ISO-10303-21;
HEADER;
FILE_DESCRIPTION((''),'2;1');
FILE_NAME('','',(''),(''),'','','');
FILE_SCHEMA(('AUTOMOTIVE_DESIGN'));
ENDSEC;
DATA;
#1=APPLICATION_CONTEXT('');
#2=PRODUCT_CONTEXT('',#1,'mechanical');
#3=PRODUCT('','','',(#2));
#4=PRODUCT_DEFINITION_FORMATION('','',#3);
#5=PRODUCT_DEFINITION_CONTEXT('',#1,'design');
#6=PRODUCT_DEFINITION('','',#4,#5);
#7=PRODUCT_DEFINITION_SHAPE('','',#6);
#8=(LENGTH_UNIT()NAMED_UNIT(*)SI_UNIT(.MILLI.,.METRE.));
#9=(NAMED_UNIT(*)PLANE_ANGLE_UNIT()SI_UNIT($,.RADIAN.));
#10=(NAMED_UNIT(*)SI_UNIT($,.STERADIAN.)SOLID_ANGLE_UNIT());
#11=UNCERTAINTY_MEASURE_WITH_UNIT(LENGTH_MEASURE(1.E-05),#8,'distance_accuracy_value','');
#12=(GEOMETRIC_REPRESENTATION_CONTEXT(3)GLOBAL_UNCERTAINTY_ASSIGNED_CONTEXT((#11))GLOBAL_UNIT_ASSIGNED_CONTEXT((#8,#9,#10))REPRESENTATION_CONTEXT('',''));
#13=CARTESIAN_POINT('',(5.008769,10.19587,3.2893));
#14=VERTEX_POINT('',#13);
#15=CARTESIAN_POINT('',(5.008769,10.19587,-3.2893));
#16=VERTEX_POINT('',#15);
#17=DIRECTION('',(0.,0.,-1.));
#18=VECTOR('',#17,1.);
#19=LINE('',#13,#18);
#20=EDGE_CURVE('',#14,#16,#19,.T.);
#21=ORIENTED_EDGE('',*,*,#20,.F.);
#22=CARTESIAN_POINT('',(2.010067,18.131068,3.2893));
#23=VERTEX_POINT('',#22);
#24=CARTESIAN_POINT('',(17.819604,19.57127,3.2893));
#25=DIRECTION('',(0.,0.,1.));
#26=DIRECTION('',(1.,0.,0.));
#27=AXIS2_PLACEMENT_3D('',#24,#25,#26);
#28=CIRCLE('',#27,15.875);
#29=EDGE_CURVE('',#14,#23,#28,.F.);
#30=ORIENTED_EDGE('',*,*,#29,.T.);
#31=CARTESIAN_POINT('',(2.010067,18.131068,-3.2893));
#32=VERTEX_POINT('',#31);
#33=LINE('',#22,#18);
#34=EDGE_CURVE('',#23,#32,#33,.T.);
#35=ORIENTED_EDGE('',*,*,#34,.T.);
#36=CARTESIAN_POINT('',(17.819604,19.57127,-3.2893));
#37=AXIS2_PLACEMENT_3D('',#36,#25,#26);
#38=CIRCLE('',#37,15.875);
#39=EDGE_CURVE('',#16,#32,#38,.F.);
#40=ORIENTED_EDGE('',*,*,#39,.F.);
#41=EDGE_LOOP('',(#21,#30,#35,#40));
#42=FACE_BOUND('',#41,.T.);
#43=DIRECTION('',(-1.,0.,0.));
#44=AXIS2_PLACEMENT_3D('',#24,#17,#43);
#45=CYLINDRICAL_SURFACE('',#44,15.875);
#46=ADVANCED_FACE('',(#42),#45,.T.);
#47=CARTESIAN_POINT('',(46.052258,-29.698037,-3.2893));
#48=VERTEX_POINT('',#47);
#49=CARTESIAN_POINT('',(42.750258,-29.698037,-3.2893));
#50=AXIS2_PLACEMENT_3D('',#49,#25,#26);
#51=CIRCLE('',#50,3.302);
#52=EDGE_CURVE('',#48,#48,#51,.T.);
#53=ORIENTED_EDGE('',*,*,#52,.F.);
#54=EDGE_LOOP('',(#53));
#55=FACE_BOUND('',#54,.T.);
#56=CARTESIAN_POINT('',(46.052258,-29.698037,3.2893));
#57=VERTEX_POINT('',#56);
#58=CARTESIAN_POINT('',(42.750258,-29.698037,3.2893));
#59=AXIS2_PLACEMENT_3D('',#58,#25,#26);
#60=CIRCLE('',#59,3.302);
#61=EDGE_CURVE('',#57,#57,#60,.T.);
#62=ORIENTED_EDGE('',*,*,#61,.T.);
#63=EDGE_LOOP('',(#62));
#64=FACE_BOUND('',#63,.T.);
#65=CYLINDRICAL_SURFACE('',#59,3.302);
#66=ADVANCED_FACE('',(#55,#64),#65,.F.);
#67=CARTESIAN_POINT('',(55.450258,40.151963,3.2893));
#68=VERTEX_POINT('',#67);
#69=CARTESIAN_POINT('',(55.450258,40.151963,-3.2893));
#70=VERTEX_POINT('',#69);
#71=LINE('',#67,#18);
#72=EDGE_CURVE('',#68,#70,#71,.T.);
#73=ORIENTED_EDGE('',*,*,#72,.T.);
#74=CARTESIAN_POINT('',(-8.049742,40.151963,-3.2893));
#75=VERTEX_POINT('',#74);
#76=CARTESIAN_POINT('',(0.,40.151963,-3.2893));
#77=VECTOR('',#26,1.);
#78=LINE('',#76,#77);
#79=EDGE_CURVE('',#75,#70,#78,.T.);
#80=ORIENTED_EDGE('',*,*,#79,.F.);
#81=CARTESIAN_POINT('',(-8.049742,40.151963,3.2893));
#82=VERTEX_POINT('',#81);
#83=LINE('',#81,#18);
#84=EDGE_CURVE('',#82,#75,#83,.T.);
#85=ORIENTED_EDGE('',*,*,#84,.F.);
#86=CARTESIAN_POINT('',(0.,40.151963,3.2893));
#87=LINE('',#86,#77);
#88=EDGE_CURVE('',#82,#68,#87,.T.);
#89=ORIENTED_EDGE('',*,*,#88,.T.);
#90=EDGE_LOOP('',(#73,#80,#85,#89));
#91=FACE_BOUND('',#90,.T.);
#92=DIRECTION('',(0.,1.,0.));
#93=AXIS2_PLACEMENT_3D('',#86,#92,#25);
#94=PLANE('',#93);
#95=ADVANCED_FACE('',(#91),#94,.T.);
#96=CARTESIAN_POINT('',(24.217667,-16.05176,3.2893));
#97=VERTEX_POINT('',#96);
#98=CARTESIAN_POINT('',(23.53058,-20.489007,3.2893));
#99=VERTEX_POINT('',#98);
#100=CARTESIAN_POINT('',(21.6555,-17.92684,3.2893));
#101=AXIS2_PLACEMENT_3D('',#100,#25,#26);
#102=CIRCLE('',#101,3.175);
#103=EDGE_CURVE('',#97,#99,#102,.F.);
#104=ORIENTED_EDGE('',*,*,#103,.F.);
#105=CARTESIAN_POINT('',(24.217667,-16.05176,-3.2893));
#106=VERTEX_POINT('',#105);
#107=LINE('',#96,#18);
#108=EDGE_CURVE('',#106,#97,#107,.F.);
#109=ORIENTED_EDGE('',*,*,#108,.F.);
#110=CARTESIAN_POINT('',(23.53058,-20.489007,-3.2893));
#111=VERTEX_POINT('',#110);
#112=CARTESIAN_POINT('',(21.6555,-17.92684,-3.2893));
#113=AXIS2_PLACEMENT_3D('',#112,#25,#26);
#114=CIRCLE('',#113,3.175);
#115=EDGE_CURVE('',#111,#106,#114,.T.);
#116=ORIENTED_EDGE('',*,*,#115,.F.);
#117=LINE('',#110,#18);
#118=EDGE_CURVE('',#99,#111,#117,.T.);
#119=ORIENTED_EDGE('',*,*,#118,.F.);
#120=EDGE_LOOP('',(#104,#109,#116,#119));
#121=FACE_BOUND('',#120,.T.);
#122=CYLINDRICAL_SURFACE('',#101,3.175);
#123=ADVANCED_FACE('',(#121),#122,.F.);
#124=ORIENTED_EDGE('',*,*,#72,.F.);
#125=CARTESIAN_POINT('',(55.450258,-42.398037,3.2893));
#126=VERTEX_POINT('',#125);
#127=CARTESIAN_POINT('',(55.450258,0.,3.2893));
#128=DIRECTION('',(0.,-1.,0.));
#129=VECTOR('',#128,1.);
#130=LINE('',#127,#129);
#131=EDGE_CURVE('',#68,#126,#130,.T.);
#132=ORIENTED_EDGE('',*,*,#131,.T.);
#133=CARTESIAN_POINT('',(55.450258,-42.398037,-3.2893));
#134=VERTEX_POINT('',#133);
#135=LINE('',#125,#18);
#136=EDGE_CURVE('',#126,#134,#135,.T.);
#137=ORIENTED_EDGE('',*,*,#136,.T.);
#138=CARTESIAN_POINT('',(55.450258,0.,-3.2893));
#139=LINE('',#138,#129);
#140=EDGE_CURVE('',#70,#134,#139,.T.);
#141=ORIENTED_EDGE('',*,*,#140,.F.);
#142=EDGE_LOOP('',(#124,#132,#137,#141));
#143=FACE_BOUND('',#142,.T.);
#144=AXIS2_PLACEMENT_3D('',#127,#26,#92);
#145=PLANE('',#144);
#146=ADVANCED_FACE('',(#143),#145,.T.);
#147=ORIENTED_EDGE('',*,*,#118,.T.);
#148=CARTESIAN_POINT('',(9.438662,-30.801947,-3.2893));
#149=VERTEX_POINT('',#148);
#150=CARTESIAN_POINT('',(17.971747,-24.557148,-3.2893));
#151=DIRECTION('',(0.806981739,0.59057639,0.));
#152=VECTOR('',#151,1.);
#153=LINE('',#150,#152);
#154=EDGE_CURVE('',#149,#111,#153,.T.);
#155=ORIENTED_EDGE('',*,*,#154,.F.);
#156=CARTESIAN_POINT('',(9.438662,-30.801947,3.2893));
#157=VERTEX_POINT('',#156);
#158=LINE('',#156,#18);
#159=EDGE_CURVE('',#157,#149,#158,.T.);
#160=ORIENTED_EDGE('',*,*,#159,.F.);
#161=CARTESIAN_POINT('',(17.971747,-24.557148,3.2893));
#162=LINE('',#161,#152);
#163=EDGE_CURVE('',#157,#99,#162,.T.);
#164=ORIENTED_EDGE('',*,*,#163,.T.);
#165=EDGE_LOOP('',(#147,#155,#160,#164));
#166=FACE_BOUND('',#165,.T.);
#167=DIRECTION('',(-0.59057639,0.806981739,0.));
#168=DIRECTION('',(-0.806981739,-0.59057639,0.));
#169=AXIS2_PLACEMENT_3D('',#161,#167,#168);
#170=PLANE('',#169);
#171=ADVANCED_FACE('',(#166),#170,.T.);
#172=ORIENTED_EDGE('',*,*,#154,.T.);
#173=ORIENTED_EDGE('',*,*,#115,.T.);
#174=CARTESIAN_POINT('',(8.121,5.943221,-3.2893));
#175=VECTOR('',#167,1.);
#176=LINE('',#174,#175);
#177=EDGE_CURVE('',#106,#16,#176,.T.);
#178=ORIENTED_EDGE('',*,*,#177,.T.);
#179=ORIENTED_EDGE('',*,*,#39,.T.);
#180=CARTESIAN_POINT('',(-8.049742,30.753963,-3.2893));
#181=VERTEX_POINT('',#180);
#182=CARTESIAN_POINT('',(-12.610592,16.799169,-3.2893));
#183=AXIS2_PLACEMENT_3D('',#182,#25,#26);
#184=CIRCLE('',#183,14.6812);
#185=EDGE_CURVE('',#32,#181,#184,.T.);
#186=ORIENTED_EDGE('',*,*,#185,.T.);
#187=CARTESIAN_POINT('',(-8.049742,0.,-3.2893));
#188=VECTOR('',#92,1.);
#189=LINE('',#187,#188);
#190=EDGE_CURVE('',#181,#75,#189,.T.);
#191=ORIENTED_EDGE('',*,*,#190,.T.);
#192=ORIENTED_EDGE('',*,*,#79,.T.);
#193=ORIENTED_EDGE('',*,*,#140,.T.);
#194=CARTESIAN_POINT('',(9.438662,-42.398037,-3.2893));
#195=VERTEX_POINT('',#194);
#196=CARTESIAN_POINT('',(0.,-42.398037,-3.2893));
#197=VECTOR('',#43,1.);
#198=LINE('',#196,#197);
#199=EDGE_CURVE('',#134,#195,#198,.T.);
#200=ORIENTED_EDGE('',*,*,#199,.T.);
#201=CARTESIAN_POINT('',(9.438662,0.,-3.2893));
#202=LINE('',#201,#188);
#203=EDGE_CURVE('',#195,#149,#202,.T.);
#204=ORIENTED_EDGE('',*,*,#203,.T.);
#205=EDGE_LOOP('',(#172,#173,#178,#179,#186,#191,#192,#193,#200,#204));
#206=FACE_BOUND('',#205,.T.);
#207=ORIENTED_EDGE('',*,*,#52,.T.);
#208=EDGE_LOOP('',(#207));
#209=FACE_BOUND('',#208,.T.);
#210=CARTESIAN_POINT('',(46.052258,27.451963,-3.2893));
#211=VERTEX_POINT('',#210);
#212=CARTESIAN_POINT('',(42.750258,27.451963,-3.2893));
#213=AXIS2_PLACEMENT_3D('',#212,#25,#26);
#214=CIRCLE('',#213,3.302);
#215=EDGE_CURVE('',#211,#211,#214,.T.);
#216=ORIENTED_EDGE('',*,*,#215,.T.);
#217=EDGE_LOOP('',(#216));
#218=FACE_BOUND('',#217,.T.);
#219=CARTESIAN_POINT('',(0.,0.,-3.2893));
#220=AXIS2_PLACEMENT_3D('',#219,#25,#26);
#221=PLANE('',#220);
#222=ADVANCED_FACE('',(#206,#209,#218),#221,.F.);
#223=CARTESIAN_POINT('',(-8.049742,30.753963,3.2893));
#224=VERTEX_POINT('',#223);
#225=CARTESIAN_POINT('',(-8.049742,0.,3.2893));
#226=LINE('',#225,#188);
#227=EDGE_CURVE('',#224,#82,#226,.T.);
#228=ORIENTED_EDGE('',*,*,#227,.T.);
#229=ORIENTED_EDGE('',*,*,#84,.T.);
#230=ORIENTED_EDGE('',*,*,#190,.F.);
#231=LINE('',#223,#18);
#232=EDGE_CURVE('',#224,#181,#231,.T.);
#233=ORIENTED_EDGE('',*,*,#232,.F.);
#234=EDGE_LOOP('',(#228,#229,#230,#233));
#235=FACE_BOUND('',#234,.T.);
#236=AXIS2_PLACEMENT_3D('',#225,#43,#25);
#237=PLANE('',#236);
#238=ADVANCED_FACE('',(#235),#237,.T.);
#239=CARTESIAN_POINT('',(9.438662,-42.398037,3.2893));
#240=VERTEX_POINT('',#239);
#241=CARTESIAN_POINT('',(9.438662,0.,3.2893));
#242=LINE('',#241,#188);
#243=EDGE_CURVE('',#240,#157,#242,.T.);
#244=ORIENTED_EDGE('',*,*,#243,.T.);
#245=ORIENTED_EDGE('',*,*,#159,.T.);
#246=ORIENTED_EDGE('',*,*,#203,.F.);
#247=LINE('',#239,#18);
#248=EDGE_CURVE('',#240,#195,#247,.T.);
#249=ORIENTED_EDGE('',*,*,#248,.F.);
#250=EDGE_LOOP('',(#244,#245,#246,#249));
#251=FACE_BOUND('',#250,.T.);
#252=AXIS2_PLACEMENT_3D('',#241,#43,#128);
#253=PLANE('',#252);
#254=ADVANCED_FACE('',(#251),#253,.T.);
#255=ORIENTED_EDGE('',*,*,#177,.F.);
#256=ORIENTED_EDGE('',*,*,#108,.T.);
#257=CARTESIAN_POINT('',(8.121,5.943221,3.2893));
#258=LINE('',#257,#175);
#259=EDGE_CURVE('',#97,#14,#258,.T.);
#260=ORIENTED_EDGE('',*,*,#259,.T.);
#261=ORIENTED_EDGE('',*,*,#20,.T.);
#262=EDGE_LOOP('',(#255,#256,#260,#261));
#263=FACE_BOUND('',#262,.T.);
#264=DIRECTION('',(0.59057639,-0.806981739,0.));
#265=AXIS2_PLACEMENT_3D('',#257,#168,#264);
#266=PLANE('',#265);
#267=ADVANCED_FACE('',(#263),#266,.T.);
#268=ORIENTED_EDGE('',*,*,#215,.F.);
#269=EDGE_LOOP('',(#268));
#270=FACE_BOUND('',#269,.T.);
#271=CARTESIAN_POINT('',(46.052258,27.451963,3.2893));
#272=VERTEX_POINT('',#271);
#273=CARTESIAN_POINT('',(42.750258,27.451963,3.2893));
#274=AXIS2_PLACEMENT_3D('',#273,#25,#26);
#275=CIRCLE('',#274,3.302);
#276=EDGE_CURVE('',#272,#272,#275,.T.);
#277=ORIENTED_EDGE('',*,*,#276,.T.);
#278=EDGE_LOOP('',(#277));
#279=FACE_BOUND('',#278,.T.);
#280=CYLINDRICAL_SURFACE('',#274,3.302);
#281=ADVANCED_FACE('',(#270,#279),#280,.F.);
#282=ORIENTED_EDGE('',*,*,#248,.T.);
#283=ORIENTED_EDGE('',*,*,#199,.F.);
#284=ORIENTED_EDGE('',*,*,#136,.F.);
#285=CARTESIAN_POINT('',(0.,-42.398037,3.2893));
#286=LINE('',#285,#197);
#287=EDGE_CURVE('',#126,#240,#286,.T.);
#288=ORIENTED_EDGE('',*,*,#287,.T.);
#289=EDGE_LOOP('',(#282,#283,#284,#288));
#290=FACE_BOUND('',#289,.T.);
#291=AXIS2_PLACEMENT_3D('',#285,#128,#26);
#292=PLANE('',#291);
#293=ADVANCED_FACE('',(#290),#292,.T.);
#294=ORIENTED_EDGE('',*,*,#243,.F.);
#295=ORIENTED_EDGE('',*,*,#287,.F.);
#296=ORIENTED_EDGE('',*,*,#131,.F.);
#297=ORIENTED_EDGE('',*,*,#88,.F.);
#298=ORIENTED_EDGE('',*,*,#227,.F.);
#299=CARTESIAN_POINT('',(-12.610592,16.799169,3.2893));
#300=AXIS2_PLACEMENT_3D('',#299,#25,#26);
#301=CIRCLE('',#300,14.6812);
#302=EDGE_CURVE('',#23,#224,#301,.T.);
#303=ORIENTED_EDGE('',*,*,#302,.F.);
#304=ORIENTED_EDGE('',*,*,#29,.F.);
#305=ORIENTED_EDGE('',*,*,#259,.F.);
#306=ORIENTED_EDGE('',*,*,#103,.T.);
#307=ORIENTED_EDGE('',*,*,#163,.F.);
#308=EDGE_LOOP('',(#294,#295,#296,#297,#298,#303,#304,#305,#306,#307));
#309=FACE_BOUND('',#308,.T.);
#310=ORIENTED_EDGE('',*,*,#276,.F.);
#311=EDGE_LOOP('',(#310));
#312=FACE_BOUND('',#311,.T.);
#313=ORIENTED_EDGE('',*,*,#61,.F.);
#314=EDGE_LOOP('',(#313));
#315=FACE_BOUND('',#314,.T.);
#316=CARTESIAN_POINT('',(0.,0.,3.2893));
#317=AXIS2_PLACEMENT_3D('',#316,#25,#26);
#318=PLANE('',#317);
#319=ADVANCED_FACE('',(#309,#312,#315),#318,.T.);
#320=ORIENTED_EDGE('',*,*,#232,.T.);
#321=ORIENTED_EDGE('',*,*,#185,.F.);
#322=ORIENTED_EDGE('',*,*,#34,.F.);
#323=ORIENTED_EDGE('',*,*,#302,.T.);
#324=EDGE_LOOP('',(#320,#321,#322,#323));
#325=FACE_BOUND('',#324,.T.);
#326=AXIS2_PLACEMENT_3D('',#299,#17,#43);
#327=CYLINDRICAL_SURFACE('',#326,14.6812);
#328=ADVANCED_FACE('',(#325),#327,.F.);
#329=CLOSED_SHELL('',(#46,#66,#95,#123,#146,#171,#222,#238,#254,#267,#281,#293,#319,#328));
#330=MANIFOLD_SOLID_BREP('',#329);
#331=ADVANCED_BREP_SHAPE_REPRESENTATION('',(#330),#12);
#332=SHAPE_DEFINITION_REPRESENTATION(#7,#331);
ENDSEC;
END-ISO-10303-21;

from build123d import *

# Parameters (mm, degrees)
BOSS_EXTRUDE1_DEPTH        = 3.2893
FILLET1_R                  = 3.175
F_97_0_26_DIAMETER_HOLE1_D = 6.604


with BuildPart() as part:
    # Sketch1 → Boss-Extrude1 (new, symmetric)
    with BuildSketch(Plane.XY):
        with BuildLine():
            Line((26.092747392, -18.613926775), (9.438661748, -30.801947025))
            Line((9.438661748, -30.801947025), (9.438661748, -42.398036845))
            Line((9.438661748, -42.398036845), (55.450257601, -42.398036845))
            Line((55.450257601, -42.398036845), (55.450257601, 40.151963155))
            Line((55.450257601, 40.151963155), (-8.049742399, 40.151963155))
            Line((-8.049742399, 40.151963155), (-8.049742399, 30.753963155))
            ThreePointArc((-8.049742399, 30.753963155), (-1.129436116, 25.949070048), (2.010067235, 18.131068031))
            ThreePointArc((2.010067235, 18.131068031), (2.969578149, 13.959464366), (5.008768553, 10.19587023))
            Line((5.008768553, 10.19587023), (26.092747392, -18.613926775))
        make_face()
    extrude(amount=BOSS_EXTRUDE1_DEPTH, both=True)

    # Fillet1
    fillet1_edges = [part.edges().sort_by_distance(p)[0] for p in [
        (26.092747392, -18.613926775, 0),
    ]]
    fillet(fillet1_edges, radius=FILLET1_R)

    # #97 (0.26) Diameter Hole1 (through all)
    with Locations(Plane(origin=(42.750257601, 27.451963155, 3.2893), x_dir=(1, 0, 0), z_dir=(0, 0, 1))):
        with Locations((0, 0), (0, -57.15)):
            Hole(F_97_0_26_DIAMETER_HOLE1_D / 2)


solid = part.part
